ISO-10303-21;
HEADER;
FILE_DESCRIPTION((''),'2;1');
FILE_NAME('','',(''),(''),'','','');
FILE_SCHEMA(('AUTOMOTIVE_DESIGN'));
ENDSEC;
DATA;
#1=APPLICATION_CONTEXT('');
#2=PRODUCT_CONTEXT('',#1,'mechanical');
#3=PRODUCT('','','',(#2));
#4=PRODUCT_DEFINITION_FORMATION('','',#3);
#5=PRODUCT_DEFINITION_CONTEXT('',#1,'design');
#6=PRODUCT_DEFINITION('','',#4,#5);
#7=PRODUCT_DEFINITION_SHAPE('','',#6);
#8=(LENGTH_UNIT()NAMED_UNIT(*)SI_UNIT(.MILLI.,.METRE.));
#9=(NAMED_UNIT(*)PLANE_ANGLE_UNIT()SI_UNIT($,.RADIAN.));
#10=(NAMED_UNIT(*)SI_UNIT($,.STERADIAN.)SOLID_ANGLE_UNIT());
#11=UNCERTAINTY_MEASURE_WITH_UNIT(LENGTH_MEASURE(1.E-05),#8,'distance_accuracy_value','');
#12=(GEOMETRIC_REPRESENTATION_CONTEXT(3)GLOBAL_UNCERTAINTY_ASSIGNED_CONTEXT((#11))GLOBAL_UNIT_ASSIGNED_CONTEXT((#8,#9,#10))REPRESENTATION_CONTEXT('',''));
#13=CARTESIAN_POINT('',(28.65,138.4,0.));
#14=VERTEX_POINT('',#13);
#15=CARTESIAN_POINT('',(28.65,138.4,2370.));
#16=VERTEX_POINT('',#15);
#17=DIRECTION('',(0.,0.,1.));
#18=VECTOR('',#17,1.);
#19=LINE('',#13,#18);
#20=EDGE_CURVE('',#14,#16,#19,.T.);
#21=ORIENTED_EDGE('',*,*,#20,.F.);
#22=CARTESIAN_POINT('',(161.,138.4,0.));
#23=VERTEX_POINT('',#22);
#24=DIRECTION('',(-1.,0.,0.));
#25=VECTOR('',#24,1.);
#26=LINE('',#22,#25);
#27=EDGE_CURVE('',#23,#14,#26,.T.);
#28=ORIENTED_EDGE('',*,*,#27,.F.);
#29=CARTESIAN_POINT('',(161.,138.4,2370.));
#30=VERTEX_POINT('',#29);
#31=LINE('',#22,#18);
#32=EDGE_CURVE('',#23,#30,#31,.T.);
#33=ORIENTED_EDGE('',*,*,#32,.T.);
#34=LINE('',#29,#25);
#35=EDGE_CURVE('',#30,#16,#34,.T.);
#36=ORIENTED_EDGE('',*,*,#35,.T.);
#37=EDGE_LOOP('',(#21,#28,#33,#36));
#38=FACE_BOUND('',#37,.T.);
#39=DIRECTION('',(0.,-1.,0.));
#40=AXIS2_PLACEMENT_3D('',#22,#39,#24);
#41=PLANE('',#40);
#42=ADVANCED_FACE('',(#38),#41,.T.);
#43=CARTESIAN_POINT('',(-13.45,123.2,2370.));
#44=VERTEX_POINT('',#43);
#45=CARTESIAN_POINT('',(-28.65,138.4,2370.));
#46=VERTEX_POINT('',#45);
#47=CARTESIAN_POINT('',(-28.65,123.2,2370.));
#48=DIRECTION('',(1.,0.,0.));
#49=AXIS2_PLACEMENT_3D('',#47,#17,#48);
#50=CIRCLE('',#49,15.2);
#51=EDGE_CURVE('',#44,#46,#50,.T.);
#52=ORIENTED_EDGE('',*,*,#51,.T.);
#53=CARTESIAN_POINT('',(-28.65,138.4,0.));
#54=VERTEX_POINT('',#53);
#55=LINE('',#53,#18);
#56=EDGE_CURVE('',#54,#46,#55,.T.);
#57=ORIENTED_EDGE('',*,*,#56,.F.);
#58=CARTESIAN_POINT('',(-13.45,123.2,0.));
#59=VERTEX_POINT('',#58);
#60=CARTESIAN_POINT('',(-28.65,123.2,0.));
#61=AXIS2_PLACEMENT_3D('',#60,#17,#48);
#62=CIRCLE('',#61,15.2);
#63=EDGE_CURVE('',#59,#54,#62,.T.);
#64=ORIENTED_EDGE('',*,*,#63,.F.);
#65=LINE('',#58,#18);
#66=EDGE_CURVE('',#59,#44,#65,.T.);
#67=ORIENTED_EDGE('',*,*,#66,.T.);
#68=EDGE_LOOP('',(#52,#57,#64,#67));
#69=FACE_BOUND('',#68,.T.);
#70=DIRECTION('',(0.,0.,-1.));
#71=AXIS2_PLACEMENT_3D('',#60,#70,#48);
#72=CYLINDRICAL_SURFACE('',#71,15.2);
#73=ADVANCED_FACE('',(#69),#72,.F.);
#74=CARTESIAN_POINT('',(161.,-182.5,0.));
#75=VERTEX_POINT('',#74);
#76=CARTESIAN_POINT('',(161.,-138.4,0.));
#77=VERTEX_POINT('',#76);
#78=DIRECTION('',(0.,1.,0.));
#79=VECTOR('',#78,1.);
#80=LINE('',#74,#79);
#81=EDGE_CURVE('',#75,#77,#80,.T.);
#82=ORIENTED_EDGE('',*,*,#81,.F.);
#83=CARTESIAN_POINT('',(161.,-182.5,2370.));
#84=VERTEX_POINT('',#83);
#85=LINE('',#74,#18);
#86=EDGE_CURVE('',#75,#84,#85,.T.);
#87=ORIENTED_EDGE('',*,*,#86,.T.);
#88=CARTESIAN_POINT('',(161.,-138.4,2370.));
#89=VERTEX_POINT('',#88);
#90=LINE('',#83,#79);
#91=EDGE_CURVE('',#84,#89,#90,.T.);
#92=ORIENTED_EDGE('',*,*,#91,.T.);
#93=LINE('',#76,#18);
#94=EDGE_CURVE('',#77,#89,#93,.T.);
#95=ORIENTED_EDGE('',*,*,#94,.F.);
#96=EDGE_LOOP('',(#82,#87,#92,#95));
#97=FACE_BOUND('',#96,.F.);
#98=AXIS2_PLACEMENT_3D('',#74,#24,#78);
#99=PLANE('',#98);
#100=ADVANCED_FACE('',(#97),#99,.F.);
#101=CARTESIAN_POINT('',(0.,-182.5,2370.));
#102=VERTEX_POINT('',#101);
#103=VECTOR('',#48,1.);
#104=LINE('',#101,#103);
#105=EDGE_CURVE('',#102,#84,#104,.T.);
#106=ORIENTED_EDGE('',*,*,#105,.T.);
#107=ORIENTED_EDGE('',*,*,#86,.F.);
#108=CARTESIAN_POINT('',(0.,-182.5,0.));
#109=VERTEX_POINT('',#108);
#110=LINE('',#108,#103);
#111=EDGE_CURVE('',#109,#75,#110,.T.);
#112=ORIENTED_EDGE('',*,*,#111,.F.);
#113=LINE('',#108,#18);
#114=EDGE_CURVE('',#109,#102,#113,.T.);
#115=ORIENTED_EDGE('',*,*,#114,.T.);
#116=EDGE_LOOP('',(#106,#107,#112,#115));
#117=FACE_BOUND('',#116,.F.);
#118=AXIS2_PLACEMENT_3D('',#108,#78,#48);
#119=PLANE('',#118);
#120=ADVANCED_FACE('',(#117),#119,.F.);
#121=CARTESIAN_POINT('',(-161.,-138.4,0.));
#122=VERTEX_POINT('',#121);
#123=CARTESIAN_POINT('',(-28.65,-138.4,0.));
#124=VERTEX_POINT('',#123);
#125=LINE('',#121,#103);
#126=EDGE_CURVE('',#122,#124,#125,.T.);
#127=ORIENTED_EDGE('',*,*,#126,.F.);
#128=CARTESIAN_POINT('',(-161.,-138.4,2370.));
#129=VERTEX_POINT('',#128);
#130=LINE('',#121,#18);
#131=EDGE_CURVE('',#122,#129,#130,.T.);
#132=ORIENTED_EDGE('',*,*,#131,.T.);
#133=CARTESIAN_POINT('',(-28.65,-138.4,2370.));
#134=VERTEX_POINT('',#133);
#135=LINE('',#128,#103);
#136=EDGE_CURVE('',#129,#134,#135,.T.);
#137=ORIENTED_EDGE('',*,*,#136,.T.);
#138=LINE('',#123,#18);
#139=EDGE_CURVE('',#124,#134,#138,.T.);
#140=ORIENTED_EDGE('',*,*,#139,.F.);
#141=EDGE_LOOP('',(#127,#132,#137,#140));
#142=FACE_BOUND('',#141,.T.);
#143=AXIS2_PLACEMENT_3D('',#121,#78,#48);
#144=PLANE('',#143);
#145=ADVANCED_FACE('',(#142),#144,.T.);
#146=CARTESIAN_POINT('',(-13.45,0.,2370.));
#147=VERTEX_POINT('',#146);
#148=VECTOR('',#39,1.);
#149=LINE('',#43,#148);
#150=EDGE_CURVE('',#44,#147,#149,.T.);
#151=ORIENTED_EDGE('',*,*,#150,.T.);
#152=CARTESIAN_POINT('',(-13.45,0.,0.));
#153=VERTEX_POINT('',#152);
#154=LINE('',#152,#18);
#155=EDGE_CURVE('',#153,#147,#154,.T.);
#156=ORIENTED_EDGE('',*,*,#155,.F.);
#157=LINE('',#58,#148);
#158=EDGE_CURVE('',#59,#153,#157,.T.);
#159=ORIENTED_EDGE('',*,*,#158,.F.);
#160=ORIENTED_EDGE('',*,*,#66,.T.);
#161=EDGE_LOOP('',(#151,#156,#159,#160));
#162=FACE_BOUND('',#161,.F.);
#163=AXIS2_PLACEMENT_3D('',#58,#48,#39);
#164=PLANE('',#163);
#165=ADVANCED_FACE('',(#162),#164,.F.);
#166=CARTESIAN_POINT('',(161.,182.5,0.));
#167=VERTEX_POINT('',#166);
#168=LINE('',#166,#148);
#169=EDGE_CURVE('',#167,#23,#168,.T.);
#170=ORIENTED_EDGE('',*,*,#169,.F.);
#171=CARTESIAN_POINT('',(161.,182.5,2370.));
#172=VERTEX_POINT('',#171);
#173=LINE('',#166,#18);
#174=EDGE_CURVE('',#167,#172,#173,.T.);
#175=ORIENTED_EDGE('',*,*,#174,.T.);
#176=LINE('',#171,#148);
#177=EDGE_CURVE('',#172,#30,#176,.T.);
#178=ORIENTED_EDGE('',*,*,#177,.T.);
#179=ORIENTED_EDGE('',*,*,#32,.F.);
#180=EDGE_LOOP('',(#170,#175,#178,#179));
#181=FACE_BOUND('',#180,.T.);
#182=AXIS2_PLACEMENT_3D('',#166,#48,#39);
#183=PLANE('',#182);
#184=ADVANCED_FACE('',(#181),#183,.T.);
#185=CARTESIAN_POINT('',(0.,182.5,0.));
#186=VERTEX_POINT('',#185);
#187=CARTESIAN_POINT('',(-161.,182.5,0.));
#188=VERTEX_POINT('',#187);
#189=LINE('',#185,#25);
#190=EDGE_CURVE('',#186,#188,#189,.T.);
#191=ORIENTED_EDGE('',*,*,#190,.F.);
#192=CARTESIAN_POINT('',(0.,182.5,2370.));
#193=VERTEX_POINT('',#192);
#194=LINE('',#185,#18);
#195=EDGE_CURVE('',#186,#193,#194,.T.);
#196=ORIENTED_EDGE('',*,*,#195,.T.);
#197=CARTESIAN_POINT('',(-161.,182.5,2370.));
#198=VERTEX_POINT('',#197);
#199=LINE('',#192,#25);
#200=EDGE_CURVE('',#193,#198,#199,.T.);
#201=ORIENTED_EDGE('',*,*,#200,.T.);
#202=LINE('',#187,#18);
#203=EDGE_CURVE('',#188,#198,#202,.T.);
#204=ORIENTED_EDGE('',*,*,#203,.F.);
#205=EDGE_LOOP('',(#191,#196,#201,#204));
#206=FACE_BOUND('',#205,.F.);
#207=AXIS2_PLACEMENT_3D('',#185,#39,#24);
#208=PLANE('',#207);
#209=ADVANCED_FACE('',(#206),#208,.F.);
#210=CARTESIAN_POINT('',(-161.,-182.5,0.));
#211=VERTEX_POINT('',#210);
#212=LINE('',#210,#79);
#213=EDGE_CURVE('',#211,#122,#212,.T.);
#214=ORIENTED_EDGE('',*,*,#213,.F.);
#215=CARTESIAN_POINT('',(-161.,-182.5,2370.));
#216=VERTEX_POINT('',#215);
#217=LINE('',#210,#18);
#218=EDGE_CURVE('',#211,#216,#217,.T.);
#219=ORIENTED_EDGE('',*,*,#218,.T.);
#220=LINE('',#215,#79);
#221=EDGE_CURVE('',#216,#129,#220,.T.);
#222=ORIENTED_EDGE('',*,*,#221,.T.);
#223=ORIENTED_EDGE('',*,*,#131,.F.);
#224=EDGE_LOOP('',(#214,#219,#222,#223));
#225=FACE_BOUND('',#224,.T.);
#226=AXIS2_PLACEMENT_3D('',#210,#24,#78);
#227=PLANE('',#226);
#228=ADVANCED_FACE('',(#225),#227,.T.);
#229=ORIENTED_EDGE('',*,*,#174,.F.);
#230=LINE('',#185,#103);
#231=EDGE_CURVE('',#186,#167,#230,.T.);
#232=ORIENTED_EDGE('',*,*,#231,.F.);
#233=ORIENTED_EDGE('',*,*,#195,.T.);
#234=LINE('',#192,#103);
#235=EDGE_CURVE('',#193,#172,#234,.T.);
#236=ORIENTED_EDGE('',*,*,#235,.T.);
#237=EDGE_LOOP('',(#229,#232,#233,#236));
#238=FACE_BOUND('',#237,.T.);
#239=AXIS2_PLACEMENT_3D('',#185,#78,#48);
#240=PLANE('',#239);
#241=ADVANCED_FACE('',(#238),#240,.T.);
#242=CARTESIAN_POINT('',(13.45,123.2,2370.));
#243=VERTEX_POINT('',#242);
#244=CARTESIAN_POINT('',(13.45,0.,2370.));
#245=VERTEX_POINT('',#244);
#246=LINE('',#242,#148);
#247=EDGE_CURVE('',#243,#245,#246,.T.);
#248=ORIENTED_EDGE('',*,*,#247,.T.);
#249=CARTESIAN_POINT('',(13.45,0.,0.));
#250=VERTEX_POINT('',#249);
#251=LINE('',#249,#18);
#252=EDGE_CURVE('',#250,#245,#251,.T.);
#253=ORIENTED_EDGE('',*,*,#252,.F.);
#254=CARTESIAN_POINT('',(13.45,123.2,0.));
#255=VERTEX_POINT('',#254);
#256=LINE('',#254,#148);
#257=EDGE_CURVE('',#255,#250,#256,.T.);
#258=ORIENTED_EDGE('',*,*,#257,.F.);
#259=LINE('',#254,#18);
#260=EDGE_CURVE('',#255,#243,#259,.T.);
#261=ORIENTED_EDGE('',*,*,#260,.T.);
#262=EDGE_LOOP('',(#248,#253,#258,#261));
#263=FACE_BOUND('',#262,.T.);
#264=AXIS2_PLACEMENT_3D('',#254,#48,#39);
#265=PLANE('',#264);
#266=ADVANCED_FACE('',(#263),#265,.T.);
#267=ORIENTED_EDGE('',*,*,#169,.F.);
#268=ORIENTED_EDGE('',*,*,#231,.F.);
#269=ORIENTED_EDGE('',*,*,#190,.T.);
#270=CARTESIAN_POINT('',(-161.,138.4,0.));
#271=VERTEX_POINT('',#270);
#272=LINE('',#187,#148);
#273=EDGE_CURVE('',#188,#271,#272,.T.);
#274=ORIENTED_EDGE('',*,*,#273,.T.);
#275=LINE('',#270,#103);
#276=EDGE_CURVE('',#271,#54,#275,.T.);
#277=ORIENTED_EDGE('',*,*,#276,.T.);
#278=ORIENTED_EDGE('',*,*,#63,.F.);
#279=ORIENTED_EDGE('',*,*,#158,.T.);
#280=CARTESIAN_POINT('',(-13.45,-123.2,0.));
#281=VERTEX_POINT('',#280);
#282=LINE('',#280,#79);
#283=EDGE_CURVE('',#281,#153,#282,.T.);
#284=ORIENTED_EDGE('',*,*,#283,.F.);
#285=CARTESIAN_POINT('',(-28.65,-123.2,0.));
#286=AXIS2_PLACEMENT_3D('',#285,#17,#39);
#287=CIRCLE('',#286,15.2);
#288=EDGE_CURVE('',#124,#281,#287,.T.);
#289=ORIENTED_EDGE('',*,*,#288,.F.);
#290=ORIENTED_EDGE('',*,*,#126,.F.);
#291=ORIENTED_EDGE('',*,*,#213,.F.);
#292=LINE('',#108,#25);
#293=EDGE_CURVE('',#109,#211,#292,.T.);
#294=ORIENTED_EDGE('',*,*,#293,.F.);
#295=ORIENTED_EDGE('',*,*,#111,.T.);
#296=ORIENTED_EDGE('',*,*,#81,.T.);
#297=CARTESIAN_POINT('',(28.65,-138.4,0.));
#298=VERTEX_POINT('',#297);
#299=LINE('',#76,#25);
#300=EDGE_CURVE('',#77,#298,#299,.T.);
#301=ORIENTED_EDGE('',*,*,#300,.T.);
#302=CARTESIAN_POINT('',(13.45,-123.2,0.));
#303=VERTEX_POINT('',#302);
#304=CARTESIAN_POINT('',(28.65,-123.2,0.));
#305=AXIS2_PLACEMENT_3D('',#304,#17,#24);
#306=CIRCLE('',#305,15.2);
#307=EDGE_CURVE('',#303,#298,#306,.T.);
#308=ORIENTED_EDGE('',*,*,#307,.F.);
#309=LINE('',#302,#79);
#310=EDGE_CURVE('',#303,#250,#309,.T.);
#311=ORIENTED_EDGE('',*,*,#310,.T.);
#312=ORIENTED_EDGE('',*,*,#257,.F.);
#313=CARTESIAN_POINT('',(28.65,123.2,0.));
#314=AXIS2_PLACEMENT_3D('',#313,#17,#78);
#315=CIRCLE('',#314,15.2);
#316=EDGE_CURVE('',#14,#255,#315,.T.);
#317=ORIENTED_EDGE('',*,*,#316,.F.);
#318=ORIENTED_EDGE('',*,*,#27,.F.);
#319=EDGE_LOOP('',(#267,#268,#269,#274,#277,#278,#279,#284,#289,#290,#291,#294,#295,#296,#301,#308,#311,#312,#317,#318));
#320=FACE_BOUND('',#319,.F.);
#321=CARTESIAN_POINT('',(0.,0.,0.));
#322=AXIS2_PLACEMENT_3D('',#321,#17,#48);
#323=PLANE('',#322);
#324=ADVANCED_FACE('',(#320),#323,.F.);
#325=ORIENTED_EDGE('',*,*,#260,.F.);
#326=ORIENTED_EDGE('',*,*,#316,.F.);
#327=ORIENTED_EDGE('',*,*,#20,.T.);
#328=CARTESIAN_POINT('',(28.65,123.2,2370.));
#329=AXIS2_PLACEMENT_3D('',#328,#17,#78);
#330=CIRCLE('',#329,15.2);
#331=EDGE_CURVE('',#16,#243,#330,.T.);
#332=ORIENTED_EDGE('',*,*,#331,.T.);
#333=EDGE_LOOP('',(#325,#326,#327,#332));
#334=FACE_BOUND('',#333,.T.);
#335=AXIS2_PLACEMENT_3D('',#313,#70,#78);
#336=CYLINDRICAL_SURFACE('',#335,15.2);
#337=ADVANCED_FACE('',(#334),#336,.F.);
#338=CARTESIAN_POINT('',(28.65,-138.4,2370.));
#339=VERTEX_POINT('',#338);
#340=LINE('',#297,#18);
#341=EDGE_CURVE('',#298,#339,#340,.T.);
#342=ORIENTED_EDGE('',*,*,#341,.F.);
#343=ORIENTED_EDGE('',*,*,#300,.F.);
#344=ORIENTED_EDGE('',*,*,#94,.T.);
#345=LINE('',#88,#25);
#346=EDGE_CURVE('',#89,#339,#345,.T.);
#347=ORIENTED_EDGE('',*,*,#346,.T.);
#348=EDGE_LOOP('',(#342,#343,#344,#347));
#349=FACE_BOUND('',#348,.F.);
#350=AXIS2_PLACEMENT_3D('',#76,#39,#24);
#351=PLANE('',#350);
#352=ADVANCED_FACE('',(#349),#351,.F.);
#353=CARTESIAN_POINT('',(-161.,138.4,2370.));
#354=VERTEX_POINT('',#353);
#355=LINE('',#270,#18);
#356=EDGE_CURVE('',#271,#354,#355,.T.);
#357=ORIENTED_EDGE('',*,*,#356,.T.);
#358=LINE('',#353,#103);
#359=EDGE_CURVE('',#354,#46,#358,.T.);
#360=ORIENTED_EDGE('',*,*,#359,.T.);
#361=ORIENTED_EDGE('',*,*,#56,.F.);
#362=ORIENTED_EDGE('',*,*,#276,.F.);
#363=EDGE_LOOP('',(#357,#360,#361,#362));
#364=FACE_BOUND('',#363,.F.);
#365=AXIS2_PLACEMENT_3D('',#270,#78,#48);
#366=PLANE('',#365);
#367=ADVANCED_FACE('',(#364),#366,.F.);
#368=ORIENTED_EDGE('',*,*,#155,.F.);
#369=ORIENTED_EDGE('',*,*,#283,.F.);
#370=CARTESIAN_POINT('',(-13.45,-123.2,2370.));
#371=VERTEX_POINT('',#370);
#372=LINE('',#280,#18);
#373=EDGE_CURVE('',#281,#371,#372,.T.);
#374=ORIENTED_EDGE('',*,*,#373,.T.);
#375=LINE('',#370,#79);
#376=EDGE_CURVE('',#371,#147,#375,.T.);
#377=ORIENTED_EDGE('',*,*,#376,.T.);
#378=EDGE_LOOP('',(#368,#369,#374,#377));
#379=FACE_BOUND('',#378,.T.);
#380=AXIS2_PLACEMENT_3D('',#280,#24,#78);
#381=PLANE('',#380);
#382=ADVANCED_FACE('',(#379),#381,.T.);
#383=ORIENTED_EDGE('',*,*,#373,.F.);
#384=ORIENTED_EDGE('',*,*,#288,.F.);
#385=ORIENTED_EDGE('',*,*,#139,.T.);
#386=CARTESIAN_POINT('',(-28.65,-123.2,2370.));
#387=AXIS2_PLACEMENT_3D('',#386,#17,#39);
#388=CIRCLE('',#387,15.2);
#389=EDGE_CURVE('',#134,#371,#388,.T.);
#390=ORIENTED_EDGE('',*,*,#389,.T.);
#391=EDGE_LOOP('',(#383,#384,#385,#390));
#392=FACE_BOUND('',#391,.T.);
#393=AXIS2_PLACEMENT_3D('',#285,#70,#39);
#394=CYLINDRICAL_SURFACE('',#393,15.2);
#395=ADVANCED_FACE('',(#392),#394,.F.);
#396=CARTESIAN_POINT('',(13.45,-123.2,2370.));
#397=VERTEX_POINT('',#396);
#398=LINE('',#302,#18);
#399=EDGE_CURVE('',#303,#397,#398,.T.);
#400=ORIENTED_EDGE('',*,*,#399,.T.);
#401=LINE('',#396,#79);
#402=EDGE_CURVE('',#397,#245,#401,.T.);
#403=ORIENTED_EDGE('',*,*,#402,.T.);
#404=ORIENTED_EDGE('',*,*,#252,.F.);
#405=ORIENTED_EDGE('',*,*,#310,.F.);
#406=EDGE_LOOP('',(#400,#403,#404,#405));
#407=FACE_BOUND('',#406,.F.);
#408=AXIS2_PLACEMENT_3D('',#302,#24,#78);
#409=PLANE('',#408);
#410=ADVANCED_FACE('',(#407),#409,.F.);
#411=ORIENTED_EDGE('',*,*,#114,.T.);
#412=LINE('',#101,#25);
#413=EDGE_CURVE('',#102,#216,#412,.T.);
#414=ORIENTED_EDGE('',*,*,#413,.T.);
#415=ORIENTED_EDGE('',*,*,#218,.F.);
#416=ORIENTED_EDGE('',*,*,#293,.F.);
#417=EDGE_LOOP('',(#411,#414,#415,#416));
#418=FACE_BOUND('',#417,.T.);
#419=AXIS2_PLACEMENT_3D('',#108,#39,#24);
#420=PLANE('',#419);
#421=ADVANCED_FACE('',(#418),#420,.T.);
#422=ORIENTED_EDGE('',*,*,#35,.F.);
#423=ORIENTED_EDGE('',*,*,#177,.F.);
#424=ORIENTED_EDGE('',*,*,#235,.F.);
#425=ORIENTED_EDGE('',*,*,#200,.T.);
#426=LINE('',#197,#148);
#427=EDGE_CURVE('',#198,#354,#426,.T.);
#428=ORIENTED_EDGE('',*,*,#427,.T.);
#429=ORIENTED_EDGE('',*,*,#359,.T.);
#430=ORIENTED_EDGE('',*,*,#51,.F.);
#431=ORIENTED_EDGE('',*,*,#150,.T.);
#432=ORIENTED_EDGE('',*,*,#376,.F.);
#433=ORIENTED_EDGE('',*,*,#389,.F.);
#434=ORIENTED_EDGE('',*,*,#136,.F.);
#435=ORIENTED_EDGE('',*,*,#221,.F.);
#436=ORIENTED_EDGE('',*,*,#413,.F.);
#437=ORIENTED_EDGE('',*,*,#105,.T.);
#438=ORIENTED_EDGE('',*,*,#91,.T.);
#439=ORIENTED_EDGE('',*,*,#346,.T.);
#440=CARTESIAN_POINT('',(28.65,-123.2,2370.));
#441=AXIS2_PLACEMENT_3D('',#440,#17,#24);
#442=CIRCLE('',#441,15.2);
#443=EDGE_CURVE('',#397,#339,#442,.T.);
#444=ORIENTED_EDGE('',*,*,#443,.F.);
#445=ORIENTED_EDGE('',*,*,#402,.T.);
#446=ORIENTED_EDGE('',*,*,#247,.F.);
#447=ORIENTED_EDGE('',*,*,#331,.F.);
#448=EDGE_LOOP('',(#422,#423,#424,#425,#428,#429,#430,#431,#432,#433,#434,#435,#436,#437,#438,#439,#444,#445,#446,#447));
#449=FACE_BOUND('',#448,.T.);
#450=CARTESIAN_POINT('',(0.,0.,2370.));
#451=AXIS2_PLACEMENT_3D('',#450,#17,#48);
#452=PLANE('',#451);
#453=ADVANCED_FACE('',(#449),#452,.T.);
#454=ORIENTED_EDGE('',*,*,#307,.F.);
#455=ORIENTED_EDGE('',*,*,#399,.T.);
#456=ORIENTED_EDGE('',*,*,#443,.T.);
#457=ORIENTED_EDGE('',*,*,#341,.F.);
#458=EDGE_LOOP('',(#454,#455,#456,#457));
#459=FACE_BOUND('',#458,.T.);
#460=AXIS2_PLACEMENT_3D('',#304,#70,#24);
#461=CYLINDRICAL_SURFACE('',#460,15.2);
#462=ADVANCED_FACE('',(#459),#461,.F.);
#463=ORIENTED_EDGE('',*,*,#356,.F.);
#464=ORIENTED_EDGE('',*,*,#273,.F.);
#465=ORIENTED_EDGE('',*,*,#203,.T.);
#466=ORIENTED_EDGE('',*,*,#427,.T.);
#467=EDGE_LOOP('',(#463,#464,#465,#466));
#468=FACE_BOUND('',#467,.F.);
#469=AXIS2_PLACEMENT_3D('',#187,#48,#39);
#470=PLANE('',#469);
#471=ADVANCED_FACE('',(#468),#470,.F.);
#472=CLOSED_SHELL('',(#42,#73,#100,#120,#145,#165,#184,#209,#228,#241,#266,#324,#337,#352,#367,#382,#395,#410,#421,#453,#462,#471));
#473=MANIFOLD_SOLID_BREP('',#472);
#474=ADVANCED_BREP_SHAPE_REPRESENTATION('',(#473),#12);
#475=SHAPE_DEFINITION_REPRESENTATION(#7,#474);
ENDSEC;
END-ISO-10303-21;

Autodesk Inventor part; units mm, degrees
ref_plane "YZ Plane" through (0, 0, 0) normal (1, 0, 0) x (0, 1, 0)
ref_plane "Start plane" through (0, 0, 0) normal (0, 0, 1) x (1, 0, 0)
ref_plane "End plane" through (0, 0, 2370) normal (0, 0, 1) x (1, 0, 0)
sketch "Sketch" plane through (0, 0, 0) normal (0, 0, 1) x (1, 0, 0)
  line L0 (-161, -182.5) -> (-161, -138.4)
  line L1 (-161, -138.4) -> (-28.65, -138.4)
  line L2 (-13.45, -123.2) -> (-13.45, 0)
  line L3 (-13.45, 0) -> (0, 0) construction
  line L4 (0, 0) -> (0, -182.5) construction
  line L5 (0, -182.5) -> (-161, -182.5)
  line L6 (-60, 0) -> (80, 0) construction
  line L7 (0, -60) -> (0, 80) construction
  line L8 (161, -182.5) -> (161, -138.4)
  line L9 (161, -138.4) -> (28.65, -138.4)
  line L10 (13.45, -123.2) -> (13.45, 0)
  line L11 (13.45, 0) -> (0, 0) construction
  line L12 (0, -182.5) -> (161, -182.5)
  line L13 (-161, 182.5) -> (-161, 138.4)
  line L14 (-161, 138.4) -> (-28.65, 138.4)
  line L15 (-13.45, 123.2) -> (-13.45, 0)
  line L16 (0, 182.5) -> (-161, 182.5)
  line L17 (161, 182.5) -> (161, 138.4)
  line L18 (161, 138.4) -> (28.65, 138.4)
  line L19 (0, 182.5) -> (161, 182.5)
  line L20 (13.45, 123.2) -> (13.45, 0)
  arc A0 (-13.45, 123.2) -> (-28.65, 138.4) centre (-28.65, 123.2) ccw
  arc A1 (28.65, 138.4) -> (13.45, 123.2) centre (28.65, 123.2) ccw
  arc A2 (13.45, -123.2) -> (28.65, -138.4) centre (28.65, -123.2) ccw
  arc A3 (-28.65, -138.4) -> (-13.45, -123.2) centre (-28.65, -123.2) ccw
  line L21 (0, 108) -> (0, -88) construction
  line L22 (-88, 0) -> (108, 0) construction
  point P0 (-13.45, -138.4)
  point P1 (13.45, -138.4)
  point P2 (-13.45, 138.4)
  point P3 (13.45, 138.4)
  dimension "d1" = 182.5
  dimension "d2" = 44.1
  dimension "d3" = 161
  dimension "d4" = 13.45
  dimension "d10" = 15.2
extrude "Body" add sketch "Sketch" along normal up to surface (2370 mm away) from surface at 0
sketch "Sketch4" plane through (0, 0, 0) normal (0, 0, 1) x (1, 0, 0)
  line L0 (0, 0) -> (10, 0)
ref_plane "Work Plane3" through (0, 0, 0) normal (0, -1, 0) x (1, 0, 0)
sketch "Sketch5" plane through (0, 0, 0) normal (0, -1, 0) x (1, 0, 0)
  line L0 (-2, 0) -> (12, 0) projected
  line L1 (-2, 2370) -> (12, 2370) projected
  dimension "d14" = 2370
equation "\"d1\" = 0.5 * G_H"
equation "\"d2\" = G_T1"
equation "\"d3\" = 0.5 * G_W"
equation "\"d4\" = 0.5 * G_T"
equation "\"d10\" = G_IR"
equation "\"d5\" = G_L"
equation "\"G_W\" = 322"
equation "\"G_H\" = 365"
equation "\"G_T\" = 26.9"
equation "\"G_T1\" = 44.1"
equation "\"G_IR\" = 15.2"
equation "\"G_L\" = d14"
equation "\"G_OFFSET_START\" = 0"
equation "\"G_OFFSET_END\" = 0"
properties part number "AS 3679 - 310 UC - 283 - 2370" material "Steel, Mild"
